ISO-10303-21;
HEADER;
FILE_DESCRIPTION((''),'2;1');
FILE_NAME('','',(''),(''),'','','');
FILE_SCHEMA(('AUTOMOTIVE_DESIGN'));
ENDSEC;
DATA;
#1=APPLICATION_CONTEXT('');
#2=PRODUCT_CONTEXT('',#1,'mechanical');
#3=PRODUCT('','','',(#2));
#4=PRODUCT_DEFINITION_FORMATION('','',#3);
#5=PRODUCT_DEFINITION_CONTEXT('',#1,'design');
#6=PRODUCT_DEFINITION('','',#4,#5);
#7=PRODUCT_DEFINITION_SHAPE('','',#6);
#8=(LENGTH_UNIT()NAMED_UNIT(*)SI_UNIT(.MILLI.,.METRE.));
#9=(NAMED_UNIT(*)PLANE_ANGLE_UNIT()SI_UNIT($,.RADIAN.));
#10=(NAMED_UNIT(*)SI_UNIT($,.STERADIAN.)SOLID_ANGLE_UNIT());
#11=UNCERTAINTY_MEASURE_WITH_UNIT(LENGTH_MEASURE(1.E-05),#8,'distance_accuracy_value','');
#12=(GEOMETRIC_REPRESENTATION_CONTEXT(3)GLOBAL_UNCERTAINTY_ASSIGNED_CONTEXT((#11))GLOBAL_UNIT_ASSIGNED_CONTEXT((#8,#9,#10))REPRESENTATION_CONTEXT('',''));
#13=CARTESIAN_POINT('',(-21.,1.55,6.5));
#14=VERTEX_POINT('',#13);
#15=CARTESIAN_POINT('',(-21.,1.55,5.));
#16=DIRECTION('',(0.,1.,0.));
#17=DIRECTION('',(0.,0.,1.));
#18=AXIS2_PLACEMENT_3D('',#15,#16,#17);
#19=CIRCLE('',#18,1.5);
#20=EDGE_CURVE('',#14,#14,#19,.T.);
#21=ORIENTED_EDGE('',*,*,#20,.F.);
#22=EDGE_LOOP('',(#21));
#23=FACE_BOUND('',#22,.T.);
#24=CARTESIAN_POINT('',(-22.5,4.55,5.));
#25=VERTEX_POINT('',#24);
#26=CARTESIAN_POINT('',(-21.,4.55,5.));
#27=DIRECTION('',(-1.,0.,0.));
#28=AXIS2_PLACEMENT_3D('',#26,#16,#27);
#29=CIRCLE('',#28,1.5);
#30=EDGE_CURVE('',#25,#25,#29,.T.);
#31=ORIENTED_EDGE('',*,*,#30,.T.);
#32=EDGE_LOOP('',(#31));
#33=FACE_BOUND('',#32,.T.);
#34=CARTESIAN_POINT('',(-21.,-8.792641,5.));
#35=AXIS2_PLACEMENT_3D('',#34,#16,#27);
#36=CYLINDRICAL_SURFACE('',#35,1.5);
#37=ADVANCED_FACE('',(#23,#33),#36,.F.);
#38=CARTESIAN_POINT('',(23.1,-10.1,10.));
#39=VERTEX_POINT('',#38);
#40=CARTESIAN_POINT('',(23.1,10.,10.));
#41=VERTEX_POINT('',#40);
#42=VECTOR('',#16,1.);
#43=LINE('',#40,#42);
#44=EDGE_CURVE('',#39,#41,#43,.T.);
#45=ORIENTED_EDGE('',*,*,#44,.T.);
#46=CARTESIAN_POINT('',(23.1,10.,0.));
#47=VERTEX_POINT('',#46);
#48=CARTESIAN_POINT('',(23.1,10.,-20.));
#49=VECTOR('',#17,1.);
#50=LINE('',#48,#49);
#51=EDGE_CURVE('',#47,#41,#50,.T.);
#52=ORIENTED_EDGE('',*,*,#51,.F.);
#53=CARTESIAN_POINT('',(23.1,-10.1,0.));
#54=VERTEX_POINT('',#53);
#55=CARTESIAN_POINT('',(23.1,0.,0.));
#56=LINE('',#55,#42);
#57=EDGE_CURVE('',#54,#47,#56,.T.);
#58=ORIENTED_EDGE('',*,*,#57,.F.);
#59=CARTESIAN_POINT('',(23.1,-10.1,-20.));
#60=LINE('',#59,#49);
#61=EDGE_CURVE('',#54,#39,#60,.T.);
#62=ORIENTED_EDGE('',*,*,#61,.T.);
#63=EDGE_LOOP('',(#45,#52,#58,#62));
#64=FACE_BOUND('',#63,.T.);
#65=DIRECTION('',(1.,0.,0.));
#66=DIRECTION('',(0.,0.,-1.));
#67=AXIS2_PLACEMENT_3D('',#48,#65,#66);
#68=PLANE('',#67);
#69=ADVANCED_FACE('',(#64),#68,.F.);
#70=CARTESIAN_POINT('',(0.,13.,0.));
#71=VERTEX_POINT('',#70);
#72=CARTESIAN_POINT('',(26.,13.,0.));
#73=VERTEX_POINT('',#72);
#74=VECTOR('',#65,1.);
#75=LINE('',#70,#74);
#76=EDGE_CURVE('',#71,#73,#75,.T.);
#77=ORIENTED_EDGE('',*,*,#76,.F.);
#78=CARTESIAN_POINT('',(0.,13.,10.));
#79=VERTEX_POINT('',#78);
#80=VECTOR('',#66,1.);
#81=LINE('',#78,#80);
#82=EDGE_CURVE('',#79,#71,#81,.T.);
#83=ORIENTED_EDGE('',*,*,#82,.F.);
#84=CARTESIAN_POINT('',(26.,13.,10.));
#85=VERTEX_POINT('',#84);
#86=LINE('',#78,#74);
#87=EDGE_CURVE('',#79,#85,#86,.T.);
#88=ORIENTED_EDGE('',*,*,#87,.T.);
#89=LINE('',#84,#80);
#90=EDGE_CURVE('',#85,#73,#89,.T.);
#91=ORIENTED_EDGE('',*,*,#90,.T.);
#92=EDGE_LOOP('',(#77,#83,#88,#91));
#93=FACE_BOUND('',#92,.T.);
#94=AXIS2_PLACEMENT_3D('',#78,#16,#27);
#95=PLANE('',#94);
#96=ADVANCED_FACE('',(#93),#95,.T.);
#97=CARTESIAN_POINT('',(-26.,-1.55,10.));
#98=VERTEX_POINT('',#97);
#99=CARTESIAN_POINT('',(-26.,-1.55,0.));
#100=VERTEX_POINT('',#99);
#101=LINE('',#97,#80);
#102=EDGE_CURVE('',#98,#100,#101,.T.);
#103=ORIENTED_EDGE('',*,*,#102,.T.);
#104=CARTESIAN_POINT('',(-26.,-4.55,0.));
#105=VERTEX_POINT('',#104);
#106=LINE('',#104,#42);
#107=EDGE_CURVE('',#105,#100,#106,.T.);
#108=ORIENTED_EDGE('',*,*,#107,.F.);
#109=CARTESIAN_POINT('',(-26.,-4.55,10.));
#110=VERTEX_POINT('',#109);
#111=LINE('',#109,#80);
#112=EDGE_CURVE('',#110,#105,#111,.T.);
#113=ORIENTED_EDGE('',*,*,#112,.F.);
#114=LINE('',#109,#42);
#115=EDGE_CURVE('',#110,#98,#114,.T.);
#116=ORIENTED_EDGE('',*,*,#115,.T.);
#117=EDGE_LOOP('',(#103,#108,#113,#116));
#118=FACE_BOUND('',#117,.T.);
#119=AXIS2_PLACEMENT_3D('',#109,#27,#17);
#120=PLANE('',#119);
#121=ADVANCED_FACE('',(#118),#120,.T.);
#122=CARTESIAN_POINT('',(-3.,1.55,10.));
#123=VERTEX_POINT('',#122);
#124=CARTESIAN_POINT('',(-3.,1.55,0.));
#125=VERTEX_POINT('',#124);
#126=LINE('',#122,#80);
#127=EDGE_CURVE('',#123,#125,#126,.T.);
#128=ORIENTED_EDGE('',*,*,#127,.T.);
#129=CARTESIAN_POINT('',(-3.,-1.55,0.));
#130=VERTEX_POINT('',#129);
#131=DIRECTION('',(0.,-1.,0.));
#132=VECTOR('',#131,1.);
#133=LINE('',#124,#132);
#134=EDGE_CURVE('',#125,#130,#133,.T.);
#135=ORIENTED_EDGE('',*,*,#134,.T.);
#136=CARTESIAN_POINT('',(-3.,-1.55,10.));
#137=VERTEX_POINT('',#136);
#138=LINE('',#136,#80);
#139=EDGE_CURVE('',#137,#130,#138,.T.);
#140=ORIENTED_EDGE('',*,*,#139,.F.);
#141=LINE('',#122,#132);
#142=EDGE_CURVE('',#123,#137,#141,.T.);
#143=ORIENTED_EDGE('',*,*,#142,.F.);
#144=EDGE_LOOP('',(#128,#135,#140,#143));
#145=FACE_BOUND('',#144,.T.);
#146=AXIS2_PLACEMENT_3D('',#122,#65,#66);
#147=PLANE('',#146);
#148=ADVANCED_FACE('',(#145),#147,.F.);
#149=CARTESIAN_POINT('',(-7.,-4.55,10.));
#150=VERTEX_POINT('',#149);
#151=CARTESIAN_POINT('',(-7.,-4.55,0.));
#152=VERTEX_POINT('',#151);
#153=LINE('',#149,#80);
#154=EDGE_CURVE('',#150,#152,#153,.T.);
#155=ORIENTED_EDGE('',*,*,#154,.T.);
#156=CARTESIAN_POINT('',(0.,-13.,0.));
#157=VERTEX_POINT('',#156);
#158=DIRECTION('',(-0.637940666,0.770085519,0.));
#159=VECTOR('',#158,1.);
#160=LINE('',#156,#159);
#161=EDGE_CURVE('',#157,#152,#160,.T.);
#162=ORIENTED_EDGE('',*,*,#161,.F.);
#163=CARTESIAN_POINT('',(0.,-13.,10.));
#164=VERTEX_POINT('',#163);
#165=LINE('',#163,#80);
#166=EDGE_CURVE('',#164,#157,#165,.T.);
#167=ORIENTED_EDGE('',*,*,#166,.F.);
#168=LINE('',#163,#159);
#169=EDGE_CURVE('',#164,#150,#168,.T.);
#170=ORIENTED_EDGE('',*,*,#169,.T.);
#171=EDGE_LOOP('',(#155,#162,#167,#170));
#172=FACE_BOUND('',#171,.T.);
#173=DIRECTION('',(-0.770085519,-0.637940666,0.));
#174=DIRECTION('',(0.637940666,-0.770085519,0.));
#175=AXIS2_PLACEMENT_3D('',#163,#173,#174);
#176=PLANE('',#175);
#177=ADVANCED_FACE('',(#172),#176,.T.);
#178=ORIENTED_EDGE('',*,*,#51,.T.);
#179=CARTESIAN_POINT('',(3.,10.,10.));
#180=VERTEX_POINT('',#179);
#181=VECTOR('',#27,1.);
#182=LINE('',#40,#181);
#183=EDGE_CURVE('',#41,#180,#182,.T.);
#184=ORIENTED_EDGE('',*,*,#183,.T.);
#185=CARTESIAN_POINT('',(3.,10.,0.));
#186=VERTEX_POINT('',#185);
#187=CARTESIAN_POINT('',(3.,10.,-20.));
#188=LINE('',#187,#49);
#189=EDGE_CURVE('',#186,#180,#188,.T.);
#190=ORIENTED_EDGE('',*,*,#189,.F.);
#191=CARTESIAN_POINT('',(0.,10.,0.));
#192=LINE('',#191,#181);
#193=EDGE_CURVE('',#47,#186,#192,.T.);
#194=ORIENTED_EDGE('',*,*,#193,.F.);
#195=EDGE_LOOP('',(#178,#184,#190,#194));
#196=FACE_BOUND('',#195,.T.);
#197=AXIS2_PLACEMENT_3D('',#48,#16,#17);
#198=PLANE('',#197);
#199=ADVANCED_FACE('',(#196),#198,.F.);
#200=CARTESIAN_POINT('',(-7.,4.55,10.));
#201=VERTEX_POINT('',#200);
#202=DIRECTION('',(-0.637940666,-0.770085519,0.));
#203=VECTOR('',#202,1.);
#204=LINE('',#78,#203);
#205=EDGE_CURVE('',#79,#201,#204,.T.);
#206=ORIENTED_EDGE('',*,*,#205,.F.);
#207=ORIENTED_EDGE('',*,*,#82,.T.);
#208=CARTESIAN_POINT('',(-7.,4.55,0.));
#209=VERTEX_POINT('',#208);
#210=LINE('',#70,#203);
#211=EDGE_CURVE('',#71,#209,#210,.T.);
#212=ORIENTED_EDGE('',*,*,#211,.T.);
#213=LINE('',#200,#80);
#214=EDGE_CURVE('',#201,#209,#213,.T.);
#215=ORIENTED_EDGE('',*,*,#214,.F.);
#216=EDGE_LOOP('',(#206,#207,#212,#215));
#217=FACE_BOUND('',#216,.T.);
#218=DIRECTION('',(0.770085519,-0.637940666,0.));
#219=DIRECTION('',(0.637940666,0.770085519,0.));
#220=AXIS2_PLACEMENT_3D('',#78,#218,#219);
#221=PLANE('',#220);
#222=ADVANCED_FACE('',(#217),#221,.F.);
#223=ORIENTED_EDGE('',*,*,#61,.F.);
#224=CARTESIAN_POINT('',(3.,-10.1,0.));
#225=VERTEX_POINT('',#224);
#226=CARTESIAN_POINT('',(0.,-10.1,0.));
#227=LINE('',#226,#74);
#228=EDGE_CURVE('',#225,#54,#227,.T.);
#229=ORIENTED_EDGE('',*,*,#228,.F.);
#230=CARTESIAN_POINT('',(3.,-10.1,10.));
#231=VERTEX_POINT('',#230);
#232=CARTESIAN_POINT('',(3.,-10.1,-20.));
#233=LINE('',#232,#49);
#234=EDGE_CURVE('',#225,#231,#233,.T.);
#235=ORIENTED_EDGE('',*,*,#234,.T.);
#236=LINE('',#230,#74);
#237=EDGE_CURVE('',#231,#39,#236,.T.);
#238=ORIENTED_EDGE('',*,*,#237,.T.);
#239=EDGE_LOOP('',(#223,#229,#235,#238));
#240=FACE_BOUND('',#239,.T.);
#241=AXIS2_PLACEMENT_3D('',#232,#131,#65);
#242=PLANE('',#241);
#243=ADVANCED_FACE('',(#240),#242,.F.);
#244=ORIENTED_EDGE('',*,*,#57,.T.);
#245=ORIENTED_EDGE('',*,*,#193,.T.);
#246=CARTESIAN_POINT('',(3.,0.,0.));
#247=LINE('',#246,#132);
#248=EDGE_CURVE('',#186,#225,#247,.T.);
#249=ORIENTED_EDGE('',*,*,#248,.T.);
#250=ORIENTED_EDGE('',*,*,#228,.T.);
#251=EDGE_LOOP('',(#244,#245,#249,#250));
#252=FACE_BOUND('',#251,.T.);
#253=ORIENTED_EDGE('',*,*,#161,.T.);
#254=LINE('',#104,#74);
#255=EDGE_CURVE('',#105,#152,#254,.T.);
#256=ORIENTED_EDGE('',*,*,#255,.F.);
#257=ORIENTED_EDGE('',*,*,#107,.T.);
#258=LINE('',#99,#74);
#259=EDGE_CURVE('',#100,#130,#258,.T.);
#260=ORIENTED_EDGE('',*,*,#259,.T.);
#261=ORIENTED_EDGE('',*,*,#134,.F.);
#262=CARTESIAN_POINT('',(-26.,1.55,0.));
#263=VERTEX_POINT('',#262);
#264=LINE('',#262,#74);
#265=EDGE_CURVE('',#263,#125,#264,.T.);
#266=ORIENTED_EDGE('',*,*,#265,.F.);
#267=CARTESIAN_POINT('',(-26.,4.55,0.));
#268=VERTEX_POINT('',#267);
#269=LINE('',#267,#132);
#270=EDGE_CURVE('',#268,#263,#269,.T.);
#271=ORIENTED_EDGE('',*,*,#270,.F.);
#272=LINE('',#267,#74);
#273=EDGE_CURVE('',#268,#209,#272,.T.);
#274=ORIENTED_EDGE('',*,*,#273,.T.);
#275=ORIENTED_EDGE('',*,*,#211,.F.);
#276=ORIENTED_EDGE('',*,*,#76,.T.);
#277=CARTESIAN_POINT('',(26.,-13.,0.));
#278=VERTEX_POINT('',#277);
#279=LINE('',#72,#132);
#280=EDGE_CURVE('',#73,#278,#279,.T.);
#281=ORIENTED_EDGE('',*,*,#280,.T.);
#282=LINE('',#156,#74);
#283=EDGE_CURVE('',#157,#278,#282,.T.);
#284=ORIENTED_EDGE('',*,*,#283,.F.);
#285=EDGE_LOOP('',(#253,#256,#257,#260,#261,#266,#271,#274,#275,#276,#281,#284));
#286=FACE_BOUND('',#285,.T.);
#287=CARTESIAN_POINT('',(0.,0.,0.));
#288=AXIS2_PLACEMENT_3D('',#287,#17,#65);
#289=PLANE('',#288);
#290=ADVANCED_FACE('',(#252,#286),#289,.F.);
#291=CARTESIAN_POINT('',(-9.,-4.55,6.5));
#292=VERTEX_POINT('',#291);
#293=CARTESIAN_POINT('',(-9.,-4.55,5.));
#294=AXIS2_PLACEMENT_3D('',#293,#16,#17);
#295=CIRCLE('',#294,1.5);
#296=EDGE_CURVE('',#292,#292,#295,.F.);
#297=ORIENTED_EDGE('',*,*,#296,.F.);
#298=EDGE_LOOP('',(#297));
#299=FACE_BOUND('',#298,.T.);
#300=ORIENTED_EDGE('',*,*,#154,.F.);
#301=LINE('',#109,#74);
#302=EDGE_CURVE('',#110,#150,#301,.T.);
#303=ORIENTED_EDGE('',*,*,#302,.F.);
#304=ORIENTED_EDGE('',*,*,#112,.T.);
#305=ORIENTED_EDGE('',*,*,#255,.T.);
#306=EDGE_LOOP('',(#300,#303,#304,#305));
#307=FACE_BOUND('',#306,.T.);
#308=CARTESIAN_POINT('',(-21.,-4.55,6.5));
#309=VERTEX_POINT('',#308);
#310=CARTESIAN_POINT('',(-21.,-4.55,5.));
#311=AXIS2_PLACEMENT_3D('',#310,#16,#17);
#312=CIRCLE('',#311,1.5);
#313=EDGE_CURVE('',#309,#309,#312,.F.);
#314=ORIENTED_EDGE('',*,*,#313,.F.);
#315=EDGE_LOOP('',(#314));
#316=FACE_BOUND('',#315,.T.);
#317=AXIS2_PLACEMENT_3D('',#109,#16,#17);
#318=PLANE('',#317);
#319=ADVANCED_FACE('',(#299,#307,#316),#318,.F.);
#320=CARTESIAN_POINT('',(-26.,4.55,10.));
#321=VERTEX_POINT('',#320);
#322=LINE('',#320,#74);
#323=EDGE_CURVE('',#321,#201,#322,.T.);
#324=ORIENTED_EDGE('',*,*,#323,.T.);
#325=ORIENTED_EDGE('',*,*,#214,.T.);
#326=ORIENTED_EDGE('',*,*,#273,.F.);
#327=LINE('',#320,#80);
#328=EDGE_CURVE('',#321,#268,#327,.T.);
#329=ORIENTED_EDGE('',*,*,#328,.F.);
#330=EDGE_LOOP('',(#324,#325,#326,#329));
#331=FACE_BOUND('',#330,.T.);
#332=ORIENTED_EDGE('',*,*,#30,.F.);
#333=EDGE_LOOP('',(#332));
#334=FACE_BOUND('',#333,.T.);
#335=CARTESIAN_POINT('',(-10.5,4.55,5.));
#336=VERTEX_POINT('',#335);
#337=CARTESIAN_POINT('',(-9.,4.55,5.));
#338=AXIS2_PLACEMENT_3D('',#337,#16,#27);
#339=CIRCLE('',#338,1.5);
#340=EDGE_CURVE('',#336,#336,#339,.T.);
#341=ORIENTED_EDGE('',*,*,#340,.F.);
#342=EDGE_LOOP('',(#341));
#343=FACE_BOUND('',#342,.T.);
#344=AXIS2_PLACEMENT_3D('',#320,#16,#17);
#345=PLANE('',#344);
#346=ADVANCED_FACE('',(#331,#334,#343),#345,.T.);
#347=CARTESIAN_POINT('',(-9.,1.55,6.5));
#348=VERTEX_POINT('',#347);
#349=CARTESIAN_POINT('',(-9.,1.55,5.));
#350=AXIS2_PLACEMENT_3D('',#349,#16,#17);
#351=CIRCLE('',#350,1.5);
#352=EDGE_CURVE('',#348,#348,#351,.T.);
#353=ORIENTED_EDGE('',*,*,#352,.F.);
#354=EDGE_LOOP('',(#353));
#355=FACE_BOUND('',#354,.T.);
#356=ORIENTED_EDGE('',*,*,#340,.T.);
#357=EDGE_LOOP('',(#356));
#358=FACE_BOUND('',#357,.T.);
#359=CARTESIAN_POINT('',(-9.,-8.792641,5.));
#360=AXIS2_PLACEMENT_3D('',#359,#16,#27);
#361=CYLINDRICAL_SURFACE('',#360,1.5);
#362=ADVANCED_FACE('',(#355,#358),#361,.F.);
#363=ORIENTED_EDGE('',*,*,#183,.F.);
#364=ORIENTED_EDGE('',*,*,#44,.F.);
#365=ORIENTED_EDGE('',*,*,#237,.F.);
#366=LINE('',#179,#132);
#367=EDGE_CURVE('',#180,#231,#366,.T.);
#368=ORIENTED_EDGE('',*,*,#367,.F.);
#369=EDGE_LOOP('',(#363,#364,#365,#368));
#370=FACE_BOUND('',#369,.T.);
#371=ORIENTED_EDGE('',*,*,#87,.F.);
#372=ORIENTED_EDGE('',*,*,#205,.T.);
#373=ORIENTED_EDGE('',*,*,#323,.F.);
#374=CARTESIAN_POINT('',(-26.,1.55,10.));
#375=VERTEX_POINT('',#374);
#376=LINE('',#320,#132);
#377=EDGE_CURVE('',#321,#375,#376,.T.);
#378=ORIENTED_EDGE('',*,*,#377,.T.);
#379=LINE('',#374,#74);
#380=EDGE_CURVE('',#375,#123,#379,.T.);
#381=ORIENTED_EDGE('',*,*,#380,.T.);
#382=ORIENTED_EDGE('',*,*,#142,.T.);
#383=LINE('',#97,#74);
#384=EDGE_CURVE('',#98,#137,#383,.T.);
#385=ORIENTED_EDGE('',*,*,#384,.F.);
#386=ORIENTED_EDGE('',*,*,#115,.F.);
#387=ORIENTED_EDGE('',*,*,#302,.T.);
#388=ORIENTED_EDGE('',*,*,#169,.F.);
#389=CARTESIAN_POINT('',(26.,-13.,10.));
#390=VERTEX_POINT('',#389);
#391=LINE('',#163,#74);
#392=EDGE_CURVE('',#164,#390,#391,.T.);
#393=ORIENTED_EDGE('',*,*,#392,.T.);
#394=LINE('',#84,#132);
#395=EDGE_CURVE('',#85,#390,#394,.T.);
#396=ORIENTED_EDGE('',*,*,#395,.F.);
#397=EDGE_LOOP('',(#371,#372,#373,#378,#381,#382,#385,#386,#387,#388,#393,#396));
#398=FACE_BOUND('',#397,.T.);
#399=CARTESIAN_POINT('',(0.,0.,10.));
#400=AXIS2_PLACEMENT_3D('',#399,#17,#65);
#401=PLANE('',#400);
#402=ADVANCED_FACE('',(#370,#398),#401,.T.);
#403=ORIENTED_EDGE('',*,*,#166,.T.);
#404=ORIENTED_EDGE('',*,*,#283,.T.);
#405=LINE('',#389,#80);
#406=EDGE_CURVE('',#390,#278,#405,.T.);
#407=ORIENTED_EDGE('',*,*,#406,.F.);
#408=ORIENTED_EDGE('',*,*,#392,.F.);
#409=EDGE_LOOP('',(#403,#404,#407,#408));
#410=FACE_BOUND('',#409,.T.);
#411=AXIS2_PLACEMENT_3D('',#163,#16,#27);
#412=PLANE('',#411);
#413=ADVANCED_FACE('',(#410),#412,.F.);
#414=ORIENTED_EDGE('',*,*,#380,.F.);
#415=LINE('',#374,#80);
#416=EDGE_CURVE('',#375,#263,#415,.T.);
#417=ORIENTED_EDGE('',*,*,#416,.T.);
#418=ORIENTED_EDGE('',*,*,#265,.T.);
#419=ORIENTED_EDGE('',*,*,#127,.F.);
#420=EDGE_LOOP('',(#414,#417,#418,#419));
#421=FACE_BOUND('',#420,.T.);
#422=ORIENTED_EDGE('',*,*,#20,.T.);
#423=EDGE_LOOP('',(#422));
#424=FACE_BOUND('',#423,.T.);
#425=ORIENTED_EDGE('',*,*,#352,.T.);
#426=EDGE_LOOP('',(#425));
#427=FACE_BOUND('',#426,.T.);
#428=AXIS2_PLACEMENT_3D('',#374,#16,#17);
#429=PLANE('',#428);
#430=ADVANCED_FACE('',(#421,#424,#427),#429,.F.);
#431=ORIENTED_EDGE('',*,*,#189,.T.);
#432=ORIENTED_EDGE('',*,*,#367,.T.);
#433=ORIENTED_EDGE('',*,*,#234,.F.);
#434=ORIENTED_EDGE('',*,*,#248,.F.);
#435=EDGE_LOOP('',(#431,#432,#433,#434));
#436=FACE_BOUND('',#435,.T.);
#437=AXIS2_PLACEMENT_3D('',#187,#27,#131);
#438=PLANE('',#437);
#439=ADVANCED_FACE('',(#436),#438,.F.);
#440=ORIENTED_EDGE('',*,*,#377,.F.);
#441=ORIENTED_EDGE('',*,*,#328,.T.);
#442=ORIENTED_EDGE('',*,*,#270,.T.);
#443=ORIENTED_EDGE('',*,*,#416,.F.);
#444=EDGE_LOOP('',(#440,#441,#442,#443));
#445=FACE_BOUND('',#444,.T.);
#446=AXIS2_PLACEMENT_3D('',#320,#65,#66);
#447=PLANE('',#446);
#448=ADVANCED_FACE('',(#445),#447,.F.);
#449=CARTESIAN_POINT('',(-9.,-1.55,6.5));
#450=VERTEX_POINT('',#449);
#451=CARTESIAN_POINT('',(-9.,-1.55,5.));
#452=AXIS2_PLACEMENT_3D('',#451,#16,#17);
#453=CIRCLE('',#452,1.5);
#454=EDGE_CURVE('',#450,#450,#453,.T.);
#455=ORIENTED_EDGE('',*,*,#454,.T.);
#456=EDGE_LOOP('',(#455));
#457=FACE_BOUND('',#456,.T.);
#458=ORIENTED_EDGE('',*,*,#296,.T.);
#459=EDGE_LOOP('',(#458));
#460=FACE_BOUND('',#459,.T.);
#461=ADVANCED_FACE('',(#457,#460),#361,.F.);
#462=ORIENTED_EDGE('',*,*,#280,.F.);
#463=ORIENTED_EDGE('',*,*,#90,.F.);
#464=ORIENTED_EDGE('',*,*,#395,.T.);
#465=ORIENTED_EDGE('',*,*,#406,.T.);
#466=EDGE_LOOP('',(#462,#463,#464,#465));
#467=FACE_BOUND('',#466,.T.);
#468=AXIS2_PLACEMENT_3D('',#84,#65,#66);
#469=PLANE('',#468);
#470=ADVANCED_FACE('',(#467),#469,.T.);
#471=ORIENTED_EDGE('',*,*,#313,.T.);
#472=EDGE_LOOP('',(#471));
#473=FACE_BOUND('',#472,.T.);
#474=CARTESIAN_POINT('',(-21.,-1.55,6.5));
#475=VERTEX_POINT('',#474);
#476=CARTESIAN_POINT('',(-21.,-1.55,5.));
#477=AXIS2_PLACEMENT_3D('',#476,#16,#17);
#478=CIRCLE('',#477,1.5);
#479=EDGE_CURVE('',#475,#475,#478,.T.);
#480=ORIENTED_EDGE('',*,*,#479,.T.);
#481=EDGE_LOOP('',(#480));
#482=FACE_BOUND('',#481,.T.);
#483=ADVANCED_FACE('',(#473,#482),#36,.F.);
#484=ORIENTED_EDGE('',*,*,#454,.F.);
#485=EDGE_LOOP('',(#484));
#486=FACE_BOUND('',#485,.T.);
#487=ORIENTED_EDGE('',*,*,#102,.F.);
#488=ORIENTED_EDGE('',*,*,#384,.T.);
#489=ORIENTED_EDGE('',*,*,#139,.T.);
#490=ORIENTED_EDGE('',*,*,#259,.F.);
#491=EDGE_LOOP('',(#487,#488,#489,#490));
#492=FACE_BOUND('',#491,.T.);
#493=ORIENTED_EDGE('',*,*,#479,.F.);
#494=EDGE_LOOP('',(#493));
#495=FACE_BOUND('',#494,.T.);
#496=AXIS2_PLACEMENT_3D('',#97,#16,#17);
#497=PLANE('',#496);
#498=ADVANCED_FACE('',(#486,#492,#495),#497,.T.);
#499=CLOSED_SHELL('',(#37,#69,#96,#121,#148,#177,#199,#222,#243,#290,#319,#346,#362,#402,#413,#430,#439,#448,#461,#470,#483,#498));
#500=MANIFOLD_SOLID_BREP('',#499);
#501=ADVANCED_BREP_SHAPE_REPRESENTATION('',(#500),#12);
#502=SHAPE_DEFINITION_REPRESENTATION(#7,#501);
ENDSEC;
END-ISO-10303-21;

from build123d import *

# Parameters (mm, degrees)
EXTRUDE_1_DEPTH     = 10
SKETCH_5_W          = 20.1
SKETCH_5_H          = 20.1
CUT_EXTRUDE_1_DEPTH = 30
SKETCH_7_R          = 1.5
CUT_EXTRUDE_5_DEPTH = 9.1


with BuildPart() as part:
    # 草图1 → 凸台-拉伸1 (new body)
    with BuildSketch(Plane.XY):
        Polygon((-26, 4.55), (-26, 1.55), (-3, 1.55), (-3, -1.55), (-26, -1.55), (-26, -4.55), (-7, -4.55), (0, -13), (26, -13), (26, 13), (0, 13), (-7, 4.55), align=None)
    extrude(amount=EXTRUDE_1_DEPTH)

    # 草图5 → 切除-拉伸1 (cut)
    with BuildSketch(Plane.XY.offset(10)):
        with Locations((13.05, -0.05)):
            Rectangle(SKETCH_5_W, SKETCH_5_H)
    extrude(amount=-CUT_EXTRUDE_1_DEPTH, mode=Mode.SUBTRACT)

    # 草图7 → 切除-拉伸5 (cut)
    with BuildSketch(Plane(origin=(0, 4.55, 0), x_dir=(1, 0, 0), z_dir=(0, 1, 0))):
        with Locations((-21, -5)):
            Circle(SKETCH_7_R)
        with Locations((-9, -5)):
            Circle(SKETCH_7_R)
    extrude(amount=-CUT_EXTRUDE_5_DEPTH, mode=Mode.SUBTRACT)


solid = part.part
